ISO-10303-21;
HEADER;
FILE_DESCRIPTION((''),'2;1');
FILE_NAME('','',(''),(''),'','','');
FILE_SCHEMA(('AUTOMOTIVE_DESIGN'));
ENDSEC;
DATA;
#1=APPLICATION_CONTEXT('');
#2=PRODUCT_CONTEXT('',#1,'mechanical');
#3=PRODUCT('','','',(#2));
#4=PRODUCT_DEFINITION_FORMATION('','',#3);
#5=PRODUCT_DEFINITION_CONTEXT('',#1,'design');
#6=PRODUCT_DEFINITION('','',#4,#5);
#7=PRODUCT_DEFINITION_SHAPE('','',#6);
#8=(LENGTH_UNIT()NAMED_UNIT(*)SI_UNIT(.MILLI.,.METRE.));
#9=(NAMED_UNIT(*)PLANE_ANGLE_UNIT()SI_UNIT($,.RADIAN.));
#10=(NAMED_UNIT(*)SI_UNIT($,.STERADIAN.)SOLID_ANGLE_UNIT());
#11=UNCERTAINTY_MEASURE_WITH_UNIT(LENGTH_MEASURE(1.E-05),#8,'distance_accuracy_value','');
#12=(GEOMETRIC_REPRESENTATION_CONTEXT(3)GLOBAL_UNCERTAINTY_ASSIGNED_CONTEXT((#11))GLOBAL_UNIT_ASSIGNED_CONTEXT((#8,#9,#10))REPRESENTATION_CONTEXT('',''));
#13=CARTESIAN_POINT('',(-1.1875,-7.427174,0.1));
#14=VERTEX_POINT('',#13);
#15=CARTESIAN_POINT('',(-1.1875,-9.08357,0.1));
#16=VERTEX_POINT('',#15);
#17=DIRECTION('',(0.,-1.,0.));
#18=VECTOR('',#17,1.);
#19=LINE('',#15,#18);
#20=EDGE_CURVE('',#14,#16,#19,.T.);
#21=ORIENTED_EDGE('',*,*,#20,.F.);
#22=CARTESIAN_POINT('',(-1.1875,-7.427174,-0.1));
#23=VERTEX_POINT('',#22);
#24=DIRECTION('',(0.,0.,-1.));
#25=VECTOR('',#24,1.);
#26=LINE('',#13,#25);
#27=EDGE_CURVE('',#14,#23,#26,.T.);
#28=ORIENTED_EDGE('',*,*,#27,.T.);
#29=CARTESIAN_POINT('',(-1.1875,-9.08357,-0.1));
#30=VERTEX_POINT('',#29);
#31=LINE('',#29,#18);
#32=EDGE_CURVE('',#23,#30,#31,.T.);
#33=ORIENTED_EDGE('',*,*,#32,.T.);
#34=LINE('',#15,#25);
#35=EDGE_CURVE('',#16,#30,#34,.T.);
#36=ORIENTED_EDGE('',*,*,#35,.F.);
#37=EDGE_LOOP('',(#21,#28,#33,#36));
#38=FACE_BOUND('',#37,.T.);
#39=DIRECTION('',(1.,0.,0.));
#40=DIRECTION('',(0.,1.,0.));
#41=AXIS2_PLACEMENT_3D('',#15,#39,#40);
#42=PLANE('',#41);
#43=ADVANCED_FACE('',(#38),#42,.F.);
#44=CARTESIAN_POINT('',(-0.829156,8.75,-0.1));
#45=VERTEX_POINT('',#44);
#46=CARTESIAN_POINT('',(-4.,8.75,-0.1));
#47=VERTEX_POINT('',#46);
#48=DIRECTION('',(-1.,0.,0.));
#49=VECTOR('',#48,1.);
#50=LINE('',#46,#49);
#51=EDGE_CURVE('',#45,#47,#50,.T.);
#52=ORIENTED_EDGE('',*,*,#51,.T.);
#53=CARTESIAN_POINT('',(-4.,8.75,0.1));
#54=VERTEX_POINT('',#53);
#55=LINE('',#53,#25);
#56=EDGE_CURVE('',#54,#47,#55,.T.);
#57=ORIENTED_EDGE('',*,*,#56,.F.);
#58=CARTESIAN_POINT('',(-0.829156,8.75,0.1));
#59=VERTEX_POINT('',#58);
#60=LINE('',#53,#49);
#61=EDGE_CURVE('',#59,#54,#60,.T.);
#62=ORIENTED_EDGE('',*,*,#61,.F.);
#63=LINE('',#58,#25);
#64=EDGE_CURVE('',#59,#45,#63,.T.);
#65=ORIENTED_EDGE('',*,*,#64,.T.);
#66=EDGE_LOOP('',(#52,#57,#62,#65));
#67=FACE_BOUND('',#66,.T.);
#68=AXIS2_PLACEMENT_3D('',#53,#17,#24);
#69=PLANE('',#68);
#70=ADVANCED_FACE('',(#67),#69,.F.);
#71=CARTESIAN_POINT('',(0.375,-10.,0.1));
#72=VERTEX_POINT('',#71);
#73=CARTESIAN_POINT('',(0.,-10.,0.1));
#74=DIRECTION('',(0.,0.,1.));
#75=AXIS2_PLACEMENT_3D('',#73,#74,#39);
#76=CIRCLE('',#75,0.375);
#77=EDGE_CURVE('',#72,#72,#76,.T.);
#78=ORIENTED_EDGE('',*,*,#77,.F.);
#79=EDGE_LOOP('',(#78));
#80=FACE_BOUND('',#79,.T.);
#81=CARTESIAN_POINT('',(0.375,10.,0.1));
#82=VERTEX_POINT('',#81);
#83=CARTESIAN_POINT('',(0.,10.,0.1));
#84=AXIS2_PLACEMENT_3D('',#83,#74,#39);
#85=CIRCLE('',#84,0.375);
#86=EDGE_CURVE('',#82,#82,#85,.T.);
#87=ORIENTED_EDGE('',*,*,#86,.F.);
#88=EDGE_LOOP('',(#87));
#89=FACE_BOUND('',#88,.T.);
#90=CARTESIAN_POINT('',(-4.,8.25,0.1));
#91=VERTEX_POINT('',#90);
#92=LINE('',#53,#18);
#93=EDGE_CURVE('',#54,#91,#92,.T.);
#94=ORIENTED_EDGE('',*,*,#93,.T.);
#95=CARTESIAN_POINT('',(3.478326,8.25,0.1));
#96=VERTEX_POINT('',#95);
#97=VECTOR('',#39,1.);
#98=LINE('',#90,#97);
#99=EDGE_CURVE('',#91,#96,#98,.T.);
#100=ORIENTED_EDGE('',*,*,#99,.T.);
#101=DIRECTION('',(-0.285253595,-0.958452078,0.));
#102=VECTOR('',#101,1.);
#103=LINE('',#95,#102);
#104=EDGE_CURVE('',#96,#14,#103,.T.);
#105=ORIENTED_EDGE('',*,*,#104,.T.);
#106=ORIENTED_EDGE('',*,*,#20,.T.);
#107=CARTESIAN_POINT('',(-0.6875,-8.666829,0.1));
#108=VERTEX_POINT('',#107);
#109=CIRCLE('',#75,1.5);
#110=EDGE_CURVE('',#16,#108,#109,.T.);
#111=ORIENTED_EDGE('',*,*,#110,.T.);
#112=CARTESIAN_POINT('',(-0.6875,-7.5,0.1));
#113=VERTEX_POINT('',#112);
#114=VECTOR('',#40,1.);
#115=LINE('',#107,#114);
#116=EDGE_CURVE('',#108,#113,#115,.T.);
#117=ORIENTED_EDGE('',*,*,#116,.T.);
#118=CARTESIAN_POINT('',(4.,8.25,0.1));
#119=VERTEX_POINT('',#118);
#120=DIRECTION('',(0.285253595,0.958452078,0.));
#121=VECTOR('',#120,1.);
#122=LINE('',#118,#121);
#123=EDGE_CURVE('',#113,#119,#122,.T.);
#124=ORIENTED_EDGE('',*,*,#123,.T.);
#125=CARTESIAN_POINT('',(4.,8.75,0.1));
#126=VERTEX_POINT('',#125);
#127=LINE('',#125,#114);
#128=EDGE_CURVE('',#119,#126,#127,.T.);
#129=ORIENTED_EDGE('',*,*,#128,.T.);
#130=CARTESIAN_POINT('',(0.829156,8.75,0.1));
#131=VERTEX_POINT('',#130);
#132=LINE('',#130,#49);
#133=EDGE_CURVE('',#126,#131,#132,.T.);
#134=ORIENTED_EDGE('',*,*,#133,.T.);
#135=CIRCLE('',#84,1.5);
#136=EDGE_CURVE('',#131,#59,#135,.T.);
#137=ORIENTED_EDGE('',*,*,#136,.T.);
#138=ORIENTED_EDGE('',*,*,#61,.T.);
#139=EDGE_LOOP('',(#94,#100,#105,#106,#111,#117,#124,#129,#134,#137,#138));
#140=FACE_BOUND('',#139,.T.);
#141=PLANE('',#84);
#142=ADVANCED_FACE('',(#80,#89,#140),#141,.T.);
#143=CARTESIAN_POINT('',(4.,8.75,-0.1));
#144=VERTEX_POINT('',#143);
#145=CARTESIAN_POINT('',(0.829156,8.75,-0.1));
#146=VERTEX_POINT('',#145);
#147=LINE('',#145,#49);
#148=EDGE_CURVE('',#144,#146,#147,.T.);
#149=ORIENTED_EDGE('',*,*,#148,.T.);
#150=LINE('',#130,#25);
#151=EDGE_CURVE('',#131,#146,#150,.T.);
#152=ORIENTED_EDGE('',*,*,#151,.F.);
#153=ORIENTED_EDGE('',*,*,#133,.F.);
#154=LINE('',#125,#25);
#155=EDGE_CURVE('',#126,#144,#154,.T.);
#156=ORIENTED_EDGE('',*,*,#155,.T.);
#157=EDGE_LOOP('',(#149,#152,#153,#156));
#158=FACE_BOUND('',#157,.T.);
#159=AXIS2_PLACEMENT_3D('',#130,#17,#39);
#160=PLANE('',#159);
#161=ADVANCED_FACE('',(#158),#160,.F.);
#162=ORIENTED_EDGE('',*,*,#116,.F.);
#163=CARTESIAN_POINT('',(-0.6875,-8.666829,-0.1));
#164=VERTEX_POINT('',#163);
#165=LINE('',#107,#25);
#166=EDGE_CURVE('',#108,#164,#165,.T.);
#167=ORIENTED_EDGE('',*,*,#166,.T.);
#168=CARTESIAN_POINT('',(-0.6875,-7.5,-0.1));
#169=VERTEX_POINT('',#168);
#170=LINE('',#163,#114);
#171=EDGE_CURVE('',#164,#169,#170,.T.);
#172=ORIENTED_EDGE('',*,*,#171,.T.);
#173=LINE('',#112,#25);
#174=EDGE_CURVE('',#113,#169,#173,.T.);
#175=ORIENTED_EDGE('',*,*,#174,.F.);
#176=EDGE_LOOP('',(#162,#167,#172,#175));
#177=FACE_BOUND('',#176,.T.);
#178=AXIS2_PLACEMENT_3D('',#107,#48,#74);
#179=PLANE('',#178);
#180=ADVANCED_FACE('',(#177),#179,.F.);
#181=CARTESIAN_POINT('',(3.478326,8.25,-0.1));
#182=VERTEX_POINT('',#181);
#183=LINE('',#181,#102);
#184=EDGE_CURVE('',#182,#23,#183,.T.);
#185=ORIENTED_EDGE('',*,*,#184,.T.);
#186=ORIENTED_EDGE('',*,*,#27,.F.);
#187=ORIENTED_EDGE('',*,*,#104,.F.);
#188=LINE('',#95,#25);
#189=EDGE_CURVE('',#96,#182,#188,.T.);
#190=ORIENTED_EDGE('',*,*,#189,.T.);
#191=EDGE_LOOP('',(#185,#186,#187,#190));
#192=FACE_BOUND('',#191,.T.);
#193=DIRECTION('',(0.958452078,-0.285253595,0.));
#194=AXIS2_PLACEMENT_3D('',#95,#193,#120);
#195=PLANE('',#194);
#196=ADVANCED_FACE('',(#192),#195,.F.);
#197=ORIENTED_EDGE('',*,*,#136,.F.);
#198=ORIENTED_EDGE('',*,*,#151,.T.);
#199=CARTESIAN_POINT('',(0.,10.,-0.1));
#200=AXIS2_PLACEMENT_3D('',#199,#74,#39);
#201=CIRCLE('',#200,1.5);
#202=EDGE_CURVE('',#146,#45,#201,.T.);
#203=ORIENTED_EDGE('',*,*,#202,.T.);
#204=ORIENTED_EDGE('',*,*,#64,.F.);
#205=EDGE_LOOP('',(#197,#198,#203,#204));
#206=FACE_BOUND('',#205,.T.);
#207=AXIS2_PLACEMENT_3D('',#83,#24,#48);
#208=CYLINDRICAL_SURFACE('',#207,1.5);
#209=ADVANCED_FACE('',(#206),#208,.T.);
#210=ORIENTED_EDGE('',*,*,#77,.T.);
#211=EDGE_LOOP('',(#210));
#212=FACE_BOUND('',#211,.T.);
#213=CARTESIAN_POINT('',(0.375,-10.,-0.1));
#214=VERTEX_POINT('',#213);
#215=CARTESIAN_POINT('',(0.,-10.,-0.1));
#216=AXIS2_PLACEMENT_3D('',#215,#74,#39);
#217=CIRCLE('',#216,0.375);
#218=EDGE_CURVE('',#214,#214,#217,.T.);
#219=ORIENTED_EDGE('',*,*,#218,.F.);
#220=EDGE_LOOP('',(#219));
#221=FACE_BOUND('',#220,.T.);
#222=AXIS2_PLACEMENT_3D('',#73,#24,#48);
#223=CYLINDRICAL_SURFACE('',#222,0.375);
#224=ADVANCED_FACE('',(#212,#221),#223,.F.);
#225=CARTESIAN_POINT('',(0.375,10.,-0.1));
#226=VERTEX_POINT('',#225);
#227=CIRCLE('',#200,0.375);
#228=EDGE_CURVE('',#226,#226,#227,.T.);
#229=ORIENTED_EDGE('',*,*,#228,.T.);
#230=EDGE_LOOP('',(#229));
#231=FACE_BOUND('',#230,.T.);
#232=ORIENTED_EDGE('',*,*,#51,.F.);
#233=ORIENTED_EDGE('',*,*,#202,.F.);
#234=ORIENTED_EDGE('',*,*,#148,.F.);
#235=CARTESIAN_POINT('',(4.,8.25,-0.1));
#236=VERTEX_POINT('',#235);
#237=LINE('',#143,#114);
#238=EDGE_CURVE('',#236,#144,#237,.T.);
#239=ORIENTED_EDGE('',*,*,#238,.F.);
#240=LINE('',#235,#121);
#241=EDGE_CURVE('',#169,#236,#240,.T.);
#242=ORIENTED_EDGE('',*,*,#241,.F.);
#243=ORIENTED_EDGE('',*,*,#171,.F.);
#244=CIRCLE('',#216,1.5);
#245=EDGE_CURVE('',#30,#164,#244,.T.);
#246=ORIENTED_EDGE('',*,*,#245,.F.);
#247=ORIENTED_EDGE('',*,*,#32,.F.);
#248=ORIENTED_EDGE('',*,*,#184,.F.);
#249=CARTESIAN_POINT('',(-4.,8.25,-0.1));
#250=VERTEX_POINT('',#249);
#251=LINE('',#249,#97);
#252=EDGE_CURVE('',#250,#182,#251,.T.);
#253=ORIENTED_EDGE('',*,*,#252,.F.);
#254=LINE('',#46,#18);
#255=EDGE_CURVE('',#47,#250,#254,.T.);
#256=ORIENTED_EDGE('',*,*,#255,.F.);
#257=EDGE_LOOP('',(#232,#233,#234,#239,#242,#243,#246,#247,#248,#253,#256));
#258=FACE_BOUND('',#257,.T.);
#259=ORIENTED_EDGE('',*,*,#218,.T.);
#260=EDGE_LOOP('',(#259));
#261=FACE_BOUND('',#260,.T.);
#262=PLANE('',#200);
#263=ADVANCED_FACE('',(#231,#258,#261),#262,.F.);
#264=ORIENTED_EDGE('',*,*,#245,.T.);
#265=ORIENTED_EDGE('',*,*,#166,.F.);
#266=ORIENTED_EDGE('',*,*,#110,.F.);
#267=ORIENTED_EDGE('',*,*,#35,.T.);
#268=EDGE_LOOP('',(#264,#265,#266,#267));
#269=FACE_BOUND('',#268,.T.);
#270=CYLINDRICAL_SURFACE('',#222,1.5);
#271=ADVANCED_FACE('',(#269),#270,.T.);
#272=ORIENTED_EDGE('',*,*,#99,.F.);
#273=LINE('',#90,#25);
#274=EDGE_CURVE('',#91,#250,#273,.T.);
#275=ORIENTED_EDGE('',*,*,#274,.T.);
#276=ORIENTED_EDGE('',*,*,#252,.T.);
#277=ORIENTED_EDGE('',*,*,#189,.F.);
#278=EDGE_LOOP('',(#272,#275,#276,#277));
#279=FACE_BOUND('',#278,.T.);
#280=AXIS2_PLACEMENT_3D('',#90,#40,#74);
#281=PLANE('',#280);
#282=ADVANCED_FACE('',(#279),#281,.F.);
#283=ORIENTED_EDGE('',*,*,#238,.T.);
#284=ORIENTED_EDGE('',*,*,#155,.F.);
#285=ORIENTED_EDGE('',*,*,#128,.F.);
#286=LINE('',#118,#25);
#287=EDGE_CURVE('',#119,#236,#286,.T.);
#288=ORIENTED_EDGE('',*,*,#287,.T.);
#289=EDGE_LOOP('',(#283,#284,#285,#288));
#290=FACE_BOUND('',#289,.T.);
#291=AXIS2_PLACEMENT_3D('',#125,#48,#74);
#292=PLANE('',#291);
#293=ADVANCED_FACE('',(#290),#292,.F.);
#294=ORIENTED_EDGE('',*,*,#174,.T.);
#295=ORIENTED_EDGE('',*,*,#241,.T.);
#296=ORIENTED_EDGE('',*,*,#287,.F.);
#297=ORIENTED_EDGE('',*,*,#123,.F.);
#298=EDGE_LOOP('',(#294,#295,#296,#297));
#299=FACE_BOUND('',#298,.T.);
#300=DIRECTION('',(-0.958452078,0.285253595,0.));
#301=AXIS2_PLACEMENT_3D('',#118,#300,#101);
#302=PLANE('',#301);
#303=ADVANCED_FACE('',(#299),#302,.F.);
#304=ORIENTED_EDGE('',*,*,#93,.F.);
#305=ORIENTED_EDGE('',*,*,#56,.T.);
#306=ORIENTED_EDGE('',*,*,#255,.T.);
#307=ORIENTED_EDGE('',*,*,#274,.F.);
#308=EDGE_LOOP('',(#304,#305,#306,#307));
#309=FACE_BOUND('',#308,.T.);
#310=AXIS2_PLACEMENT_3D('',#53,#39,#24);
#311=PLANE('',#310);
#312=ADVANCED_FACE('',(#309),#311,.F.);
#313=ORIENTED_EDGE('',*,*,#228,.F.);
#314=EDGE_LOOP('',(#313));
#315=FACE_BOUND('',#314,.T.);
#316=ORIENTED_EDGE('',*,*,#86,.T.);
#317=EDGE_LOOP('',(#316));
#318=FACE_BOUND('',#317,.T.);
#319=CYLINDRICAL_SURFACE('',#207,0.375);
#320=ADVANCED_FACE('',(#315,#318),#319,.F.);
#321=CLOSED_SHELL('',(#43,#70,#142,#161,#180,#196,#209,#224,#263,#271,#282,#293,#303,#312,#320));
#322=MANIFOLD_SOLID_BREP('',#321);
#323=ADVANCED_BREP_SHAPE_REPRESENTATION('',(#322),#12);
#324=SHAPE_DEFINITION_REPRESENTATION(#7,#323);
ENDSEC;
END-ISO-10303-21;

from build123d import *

# Parameters (mm, degrees)
SKETCH1_R           = 0.375
BOSS_EXTRUDE1_DEPTH = 0.1


with BuildPart() as part:
    # Sketch1 → Boss-Extrude1 (new body, symmetric)
    with BuildSketch(Plane.XY):
        with BuildLine():
            Line((-4, 8.75), (-0.829156198, 8.75))
            ThreePointArc((-0.829156198, 8.75), (0, 11.5), (0.829156198, 8.75))
            Line((0.829156198, 8.75), (4, 8.75))
            Line((4, 8.75), (4, 8.25))
            Line((4, 8.25), (-0.6875, -7.5))
            Line((-0.6875, -7.5), (-0.6875, -8.666829437))
            ThreePointArc((-0.6875, -8.666829437), (0.960377242, -11.152248043), (-1.1875, -9.083570106))
            Line((-1.1875, -9.083570106), (-1.1875, -7.427173711))
            Line((-1.1875, -7.427173711), (3.478325509, 8.25))
            Line((3.478325509, 8.25), (-4, 8.25))
            Line((-4, 8.25), (-4, 8.75))
        make_face()
        with Locations((0, 10)):
            Circle(SKETCH1_R, mode=Mode.SUBTRACT)
        with Locations((0, -10)):
            Circle(SKETCH1_R, mode=Mode.SUBTRACT)
    extrude(amount=BOSS_EXTRUDE1_DEPTH, both=True)


solid = part.part
